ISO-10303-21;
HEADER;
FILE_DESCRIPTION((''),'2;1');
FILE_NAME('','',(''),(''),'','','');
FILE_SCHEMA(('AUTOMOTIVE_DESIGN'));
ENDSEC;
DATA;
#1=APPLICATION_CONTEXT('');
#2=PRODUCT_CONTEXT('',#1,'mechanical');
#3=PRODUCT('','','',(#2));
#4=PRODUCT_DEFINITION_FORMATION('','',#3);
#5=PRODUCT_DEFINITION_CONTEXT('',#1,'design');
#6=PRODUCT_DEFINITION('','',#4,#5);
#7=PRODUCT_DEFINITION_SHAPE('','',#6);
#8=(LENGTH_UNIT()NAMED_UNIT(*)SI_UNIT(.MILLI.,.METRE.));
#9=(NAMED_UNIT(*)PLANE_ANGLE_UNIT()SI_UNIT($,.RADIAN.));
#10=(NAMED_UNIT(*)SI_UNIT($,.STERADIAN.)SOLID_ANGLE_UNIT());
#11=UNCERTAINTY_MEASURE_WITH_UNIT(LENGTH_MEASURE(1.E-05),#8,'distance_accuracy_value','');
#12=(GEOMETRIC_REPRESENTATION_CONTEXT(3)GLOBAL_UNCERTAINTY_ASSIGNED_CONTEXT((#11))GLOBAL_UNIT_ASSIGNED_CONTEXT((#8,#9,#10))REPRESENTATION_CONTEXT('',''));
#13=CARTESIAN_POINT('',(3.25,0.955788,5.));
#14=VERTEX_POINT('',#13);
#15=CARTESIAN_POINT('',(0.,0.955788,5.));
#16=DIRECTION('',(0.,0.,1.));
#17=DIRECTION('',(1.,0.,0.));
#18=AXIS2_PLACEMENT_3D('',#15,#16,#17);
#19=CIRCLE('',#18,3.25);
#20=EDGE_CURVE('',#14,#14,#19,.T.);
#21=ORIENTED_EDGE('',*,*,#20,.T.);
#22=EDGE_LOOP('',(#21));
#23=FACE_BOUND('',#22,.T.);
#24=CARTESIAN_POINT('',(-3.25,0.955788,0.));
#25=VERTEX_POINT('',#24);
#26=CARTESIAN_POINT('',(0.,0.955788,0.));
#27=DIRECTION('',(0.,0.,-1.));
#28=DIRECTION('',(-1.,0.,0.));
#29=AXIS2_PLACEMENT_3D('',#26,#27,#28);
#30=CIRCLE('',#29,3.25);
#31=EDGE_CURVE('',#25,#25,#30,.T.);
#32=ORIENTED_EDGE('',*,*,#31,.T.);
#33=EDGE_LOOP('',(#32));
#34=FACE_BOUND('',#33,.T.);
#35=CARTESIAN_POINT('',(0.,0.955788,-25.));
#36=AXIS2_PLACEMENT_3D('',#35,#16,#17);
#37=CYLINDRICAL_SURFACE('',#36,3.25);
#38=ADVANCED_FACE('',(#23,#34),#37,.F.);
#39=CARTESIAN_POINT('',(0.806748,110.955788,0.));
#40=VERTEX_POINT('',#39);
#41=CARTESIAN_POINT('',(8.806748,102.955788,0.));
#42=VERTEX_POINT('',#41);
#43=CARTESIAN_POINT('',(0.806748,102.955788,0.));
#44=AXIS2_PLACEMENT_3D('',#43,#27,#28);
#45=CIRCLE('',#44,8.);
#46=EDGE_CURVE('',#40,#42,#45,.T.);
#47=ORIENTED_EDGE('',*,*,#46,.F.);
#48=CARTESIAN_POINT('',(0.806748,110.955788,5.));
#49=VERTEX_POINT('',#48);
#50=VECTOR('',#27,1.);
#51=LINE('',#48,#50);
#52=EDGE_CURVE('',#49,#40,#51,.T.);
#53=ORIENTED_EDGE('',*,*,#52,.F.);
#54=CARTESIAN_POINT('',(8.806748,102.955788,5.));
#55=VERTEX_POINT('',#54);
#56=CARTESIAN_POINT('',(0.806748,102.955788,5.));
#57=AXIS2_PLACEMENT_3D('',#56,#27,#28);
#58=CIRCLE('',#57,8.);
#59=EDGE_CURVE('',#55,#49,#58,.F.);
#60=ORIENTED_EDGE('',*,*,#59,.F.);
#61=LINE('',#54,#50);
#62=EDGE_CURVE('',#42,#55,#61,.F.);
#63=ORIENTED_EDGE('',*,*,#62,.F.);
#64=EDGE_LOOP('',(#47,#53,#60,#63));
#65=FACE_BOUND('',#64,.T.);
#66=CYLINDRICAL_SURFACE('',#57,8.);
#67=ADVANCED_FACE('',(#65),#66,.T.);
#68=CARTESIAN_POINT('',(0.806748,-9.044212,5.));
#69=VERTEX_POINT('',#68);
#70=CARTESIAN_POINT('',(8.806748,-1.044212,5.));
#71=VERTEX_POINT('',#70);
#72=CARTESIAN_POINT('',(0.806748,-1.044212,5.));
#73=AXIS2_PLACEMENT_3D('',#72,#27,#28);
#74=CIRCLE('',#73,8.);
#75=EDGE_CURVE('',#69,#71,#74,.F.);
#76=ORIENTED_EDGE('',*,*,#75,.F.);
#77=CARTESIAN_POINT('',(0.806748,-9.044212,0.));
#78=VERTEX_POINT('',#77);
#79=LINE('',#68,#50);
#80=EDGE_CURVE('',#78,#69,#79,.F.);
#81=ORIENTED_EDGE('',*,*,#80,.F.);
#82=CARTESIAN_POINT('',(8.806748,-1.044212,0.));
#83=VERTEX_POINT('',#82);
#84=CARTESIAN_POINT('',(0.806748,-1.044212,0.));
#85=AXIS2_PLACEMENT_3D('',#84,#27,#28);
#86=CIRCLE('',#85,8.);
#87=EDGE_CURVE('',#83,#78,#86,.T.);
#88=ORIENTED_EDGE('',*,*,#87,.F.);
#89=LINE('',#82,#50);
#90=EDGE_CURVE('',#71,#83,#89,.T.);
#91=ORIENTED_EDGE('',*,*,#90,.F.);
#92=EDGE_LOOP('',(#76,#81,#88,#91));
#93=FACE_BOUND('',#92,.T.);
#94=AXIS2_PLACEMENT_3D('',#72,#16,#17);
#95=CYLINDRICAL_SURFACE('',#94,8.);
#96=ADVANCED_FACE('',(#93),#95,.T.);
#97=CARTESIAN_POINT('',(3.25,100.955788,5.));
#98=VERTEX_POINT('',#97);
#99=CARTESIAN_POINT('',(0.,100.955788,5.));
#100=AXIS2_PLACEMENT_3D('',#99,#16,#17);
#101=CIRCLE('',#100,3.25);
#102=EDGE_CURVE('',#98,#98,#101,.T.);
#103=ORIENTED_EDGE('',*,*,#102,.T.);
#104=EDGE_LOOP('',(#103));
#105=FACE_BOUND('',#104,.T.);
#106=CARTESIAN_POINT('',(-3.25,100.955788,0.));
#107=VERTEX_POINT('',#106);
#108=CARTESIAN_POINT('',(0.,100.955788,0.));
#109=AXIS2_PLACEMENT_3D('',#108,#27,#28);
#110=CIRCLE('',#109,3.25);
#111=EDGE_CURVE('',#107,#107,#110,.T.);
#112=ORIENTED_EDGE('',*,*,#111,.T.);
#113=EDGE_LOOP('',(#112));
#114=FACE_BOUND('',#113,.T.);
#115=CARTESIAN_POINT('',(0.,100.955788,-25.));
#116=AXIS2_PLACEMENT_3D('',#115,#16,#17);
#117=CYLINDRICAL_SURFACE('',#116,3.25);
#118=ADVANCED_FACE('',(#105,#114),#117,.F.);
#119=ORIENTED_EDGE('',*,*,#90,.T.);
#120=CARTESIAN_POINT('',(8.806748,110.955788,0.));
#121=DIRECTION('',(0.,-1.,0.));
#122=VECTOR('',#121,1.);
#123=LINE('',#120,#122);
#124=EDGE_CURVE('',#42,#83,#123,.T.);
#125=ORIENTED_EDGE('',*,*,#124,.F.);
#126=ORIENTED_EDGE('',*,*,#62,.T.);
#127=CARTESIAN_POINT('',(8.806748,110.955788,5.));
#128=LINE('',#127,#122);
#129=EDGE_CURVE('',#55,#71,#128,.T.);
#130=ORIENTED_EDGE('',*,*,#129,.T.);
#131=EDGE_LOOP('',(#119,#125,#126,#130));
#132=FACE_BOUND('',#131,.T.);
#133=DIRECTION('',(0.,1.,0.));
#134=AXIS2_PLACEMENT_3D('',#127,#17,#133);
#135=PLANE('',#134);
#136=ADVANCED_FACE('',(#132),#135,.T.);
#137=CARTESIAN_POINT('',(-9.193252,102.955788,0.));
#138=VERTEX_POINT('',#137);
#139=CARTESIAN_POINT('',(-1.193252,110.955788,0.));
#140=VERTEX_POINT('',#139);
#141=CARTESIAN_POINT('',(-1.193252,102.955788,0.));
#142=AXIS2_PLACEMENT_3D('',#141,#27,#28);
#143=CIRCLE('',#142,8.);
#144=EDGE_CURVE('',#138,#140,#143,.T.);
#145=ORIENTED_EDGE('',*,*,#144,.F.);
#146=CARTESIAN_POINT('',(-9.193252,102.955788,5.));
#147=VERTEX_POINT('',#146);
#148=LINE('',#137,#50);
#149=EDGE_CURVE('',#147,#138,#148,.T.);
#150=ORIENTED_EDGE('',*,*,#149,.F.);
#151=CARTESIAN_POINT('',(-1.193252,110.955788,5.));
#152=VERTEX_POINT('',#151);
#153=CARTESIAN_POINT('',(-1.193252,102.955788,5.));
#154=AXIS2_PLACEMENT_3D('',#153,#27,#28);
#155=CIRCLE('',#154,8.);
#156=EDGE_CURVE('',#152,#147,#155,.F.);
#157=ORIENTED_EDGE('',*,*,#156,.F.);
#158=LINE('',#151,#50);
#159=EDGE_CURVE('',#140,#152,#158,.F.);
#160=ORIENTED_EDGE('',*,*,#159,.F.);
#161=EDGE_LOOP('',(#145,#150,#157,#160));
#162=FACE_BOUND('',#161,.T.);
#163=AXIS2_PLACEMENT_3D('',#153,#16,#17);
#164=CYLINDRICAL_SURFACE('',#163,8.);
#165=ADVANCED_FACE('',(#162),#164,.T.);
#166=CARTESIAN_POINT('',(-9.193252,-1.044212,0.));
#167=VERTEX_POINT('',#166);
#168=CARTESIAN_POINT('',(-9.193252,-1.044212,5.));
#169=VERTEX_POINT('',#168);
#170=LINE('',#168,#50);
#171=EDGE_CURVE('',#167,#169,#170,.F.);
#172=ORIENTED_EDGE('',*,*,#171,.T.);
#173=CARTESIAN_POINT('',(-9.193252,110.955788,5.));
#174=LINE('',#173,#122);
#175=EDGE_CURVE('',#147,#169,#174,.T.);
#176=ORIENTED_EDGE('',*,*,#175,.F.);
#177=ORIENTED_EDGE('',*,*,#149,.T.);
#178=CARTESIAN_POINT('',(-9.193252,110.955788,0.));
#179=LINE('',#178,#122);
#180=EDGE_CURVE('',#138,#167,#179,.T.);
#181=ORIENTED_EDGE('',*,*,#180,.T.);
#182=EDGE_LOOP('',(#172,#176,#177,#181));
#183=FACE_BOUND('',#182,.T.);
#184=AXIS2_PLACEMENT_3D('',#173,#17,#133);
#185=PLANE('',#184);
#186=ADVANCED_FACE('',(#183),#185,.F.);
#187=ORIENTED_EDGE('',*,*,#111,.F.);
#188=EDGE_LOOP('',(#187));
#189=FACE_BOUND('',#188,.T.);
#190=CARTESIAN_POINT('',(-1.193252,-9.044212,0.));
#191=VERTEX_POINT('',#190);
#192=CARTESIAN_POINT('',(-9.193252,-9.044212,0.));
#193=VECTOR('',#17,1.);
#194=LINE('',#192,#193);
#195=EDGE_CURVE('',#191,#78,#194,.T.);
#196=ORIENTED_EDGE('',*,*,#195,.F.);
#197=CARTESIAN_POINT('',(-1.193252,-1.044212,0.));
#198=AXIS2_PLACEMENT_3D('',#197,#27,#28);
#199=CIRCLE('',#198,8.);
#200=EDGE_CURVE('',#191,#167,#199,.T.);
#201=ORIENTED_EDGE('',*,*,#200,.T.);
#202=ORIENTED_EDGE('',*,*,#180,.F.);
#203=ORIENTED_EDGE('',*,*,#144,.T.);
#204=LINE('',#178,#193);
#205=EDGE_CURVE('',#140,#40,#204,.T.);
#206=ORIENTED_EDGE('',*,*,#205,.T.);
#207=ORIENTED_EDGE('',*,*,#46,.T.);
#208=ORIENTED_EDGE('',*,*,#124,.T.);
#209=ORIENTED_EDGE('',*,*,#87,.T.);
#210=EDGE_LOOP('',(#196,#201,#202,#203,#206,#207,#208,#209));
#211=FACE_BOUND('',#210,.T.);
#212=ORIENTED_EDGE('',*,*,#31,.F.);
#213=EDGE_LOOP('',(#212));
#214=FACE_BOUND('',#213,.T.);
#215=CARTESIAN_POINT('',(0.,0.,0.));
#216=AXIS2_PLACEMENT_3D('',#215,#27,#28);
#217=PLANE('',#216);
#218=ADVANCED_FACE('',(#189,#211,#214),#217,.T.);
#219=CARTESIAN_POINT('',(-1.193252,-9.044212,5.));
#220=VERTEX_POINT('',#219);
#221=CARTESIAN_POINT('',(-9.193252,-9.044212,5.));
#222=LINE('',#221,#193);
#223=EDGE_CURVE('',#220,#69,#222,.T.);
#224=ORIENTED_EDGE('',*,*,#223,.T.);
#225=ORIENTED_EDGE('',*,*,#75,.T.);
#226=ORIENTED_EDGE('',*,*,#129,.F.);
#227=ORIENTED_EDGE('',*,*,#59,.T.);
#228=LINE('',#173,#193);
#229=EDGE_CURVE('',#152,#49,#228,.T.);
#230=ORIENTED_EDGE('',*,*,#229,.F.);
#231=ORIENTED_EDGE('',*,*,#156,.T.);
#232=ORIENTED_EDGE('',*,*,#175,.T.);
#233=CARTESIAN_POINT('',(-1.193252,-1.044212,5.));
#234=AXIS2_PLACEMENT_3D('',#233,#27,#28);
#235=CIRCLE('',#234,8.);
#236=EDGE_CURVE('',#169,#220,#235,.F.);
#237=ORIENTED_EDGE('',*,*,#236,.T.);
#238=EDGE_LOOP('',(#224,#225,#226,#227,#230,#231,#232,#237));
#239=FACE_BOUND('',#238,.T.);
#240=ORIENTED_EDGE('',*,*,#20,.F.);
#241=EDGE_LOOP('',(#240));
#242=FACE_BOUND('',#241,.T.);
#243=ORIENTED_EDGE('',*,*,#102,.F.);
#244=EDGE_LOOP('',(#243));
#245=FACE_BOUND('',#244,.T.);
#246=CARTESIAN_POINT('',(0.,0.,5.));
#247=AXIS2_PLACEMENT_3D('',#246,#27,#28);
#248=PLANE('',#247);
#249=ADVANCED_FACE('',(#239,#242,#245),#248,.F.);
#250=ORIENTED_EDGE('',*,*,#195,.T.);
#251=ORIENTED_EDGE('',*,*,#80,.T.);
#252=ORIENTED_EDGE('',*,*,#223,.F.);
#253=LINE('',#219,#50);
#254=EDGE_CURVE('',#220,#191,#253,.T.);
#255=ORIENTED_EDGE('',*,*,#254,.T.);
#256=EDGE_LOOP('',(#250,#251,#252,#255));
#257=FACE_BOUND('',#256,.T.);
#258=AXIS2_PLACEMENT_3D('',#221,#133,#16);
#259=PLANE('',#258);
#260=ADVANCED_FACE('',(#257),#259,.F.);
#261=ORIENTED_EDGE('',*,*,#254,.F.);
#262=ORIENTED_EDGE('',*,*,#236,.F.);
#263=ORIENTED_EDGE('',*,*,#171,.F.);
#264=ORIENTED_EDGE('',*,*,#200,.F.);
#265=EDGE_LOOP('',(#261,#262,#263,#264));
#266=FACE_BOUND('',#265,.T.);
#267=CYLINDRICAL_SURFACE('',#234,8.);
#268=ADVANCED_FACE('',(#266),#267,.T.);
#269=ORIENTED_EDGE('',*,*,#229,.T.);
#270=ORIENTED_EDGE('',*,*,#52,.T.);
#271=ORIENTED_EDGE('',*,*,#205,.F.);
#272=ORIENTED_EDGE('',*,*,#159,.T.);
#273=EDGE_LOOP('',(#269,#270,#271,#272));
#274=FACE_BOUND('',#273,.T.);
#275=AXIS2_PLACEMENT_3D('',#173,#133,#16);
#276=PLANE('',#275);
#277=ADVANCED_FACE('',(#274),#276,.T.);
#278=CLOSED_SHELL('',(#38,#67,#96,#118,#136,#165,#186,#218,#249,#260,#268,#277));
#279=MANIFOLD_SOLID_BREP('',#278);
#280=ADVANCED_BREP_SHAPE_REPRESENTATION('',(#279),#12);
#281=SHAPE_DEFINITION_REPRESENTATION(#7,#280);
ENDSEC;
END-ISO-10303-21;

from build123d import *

# Parameters (mm, degrees)
SKETCH_1_W          = 18
SKETCH_1_H          = 120
EXTRUDE_1_DEPTH     = 5
SKETCH_2_R          = 3.25
CUT_EXTRUDE_1_DEPTH = 30
FILLET_1_R          = 8


with BuildPart() as part:
    # 스케치1 → 보스-돌출1 (new body)
    with BuildSketch(Plane.XY):
        with Locations((-0.193251534, 50.955788216)):
            Rectangle(SKETCH_1_W, SKETCH_1_H)
    extrude(amount=EXTRUDE_1_DEPTH)

    # 스케치2 → 컷-돌출1 (cut)
    with BuildSketch(Plane.XY.offset(5)):
        with Locations((0, 100.955788216)):
            Circle(SKETCH_2_R)
        with Locations((0, 0.955788216)):
            Circle(SKETCH_2_R)
    extrude(amount=-CUT_EXTRUDE_1_DEPTH, mode=Mode.SUBTRACT)

    # 필렛1
    fillet_1_edges = [part.edges().sort_by_distance(p)[0] for p in [
        (-9.193251534, 110.955788216, 2.5),
        (-9.193251534, -9.044211784, 2.5),
        (8.806748466, -9.044211784, 2.5),
        (8.806748466, 110.955788216, 2.5),
    ]]
    fillet(fillet_1_edges, radius=FILLET_1_R)


solid = part.part
